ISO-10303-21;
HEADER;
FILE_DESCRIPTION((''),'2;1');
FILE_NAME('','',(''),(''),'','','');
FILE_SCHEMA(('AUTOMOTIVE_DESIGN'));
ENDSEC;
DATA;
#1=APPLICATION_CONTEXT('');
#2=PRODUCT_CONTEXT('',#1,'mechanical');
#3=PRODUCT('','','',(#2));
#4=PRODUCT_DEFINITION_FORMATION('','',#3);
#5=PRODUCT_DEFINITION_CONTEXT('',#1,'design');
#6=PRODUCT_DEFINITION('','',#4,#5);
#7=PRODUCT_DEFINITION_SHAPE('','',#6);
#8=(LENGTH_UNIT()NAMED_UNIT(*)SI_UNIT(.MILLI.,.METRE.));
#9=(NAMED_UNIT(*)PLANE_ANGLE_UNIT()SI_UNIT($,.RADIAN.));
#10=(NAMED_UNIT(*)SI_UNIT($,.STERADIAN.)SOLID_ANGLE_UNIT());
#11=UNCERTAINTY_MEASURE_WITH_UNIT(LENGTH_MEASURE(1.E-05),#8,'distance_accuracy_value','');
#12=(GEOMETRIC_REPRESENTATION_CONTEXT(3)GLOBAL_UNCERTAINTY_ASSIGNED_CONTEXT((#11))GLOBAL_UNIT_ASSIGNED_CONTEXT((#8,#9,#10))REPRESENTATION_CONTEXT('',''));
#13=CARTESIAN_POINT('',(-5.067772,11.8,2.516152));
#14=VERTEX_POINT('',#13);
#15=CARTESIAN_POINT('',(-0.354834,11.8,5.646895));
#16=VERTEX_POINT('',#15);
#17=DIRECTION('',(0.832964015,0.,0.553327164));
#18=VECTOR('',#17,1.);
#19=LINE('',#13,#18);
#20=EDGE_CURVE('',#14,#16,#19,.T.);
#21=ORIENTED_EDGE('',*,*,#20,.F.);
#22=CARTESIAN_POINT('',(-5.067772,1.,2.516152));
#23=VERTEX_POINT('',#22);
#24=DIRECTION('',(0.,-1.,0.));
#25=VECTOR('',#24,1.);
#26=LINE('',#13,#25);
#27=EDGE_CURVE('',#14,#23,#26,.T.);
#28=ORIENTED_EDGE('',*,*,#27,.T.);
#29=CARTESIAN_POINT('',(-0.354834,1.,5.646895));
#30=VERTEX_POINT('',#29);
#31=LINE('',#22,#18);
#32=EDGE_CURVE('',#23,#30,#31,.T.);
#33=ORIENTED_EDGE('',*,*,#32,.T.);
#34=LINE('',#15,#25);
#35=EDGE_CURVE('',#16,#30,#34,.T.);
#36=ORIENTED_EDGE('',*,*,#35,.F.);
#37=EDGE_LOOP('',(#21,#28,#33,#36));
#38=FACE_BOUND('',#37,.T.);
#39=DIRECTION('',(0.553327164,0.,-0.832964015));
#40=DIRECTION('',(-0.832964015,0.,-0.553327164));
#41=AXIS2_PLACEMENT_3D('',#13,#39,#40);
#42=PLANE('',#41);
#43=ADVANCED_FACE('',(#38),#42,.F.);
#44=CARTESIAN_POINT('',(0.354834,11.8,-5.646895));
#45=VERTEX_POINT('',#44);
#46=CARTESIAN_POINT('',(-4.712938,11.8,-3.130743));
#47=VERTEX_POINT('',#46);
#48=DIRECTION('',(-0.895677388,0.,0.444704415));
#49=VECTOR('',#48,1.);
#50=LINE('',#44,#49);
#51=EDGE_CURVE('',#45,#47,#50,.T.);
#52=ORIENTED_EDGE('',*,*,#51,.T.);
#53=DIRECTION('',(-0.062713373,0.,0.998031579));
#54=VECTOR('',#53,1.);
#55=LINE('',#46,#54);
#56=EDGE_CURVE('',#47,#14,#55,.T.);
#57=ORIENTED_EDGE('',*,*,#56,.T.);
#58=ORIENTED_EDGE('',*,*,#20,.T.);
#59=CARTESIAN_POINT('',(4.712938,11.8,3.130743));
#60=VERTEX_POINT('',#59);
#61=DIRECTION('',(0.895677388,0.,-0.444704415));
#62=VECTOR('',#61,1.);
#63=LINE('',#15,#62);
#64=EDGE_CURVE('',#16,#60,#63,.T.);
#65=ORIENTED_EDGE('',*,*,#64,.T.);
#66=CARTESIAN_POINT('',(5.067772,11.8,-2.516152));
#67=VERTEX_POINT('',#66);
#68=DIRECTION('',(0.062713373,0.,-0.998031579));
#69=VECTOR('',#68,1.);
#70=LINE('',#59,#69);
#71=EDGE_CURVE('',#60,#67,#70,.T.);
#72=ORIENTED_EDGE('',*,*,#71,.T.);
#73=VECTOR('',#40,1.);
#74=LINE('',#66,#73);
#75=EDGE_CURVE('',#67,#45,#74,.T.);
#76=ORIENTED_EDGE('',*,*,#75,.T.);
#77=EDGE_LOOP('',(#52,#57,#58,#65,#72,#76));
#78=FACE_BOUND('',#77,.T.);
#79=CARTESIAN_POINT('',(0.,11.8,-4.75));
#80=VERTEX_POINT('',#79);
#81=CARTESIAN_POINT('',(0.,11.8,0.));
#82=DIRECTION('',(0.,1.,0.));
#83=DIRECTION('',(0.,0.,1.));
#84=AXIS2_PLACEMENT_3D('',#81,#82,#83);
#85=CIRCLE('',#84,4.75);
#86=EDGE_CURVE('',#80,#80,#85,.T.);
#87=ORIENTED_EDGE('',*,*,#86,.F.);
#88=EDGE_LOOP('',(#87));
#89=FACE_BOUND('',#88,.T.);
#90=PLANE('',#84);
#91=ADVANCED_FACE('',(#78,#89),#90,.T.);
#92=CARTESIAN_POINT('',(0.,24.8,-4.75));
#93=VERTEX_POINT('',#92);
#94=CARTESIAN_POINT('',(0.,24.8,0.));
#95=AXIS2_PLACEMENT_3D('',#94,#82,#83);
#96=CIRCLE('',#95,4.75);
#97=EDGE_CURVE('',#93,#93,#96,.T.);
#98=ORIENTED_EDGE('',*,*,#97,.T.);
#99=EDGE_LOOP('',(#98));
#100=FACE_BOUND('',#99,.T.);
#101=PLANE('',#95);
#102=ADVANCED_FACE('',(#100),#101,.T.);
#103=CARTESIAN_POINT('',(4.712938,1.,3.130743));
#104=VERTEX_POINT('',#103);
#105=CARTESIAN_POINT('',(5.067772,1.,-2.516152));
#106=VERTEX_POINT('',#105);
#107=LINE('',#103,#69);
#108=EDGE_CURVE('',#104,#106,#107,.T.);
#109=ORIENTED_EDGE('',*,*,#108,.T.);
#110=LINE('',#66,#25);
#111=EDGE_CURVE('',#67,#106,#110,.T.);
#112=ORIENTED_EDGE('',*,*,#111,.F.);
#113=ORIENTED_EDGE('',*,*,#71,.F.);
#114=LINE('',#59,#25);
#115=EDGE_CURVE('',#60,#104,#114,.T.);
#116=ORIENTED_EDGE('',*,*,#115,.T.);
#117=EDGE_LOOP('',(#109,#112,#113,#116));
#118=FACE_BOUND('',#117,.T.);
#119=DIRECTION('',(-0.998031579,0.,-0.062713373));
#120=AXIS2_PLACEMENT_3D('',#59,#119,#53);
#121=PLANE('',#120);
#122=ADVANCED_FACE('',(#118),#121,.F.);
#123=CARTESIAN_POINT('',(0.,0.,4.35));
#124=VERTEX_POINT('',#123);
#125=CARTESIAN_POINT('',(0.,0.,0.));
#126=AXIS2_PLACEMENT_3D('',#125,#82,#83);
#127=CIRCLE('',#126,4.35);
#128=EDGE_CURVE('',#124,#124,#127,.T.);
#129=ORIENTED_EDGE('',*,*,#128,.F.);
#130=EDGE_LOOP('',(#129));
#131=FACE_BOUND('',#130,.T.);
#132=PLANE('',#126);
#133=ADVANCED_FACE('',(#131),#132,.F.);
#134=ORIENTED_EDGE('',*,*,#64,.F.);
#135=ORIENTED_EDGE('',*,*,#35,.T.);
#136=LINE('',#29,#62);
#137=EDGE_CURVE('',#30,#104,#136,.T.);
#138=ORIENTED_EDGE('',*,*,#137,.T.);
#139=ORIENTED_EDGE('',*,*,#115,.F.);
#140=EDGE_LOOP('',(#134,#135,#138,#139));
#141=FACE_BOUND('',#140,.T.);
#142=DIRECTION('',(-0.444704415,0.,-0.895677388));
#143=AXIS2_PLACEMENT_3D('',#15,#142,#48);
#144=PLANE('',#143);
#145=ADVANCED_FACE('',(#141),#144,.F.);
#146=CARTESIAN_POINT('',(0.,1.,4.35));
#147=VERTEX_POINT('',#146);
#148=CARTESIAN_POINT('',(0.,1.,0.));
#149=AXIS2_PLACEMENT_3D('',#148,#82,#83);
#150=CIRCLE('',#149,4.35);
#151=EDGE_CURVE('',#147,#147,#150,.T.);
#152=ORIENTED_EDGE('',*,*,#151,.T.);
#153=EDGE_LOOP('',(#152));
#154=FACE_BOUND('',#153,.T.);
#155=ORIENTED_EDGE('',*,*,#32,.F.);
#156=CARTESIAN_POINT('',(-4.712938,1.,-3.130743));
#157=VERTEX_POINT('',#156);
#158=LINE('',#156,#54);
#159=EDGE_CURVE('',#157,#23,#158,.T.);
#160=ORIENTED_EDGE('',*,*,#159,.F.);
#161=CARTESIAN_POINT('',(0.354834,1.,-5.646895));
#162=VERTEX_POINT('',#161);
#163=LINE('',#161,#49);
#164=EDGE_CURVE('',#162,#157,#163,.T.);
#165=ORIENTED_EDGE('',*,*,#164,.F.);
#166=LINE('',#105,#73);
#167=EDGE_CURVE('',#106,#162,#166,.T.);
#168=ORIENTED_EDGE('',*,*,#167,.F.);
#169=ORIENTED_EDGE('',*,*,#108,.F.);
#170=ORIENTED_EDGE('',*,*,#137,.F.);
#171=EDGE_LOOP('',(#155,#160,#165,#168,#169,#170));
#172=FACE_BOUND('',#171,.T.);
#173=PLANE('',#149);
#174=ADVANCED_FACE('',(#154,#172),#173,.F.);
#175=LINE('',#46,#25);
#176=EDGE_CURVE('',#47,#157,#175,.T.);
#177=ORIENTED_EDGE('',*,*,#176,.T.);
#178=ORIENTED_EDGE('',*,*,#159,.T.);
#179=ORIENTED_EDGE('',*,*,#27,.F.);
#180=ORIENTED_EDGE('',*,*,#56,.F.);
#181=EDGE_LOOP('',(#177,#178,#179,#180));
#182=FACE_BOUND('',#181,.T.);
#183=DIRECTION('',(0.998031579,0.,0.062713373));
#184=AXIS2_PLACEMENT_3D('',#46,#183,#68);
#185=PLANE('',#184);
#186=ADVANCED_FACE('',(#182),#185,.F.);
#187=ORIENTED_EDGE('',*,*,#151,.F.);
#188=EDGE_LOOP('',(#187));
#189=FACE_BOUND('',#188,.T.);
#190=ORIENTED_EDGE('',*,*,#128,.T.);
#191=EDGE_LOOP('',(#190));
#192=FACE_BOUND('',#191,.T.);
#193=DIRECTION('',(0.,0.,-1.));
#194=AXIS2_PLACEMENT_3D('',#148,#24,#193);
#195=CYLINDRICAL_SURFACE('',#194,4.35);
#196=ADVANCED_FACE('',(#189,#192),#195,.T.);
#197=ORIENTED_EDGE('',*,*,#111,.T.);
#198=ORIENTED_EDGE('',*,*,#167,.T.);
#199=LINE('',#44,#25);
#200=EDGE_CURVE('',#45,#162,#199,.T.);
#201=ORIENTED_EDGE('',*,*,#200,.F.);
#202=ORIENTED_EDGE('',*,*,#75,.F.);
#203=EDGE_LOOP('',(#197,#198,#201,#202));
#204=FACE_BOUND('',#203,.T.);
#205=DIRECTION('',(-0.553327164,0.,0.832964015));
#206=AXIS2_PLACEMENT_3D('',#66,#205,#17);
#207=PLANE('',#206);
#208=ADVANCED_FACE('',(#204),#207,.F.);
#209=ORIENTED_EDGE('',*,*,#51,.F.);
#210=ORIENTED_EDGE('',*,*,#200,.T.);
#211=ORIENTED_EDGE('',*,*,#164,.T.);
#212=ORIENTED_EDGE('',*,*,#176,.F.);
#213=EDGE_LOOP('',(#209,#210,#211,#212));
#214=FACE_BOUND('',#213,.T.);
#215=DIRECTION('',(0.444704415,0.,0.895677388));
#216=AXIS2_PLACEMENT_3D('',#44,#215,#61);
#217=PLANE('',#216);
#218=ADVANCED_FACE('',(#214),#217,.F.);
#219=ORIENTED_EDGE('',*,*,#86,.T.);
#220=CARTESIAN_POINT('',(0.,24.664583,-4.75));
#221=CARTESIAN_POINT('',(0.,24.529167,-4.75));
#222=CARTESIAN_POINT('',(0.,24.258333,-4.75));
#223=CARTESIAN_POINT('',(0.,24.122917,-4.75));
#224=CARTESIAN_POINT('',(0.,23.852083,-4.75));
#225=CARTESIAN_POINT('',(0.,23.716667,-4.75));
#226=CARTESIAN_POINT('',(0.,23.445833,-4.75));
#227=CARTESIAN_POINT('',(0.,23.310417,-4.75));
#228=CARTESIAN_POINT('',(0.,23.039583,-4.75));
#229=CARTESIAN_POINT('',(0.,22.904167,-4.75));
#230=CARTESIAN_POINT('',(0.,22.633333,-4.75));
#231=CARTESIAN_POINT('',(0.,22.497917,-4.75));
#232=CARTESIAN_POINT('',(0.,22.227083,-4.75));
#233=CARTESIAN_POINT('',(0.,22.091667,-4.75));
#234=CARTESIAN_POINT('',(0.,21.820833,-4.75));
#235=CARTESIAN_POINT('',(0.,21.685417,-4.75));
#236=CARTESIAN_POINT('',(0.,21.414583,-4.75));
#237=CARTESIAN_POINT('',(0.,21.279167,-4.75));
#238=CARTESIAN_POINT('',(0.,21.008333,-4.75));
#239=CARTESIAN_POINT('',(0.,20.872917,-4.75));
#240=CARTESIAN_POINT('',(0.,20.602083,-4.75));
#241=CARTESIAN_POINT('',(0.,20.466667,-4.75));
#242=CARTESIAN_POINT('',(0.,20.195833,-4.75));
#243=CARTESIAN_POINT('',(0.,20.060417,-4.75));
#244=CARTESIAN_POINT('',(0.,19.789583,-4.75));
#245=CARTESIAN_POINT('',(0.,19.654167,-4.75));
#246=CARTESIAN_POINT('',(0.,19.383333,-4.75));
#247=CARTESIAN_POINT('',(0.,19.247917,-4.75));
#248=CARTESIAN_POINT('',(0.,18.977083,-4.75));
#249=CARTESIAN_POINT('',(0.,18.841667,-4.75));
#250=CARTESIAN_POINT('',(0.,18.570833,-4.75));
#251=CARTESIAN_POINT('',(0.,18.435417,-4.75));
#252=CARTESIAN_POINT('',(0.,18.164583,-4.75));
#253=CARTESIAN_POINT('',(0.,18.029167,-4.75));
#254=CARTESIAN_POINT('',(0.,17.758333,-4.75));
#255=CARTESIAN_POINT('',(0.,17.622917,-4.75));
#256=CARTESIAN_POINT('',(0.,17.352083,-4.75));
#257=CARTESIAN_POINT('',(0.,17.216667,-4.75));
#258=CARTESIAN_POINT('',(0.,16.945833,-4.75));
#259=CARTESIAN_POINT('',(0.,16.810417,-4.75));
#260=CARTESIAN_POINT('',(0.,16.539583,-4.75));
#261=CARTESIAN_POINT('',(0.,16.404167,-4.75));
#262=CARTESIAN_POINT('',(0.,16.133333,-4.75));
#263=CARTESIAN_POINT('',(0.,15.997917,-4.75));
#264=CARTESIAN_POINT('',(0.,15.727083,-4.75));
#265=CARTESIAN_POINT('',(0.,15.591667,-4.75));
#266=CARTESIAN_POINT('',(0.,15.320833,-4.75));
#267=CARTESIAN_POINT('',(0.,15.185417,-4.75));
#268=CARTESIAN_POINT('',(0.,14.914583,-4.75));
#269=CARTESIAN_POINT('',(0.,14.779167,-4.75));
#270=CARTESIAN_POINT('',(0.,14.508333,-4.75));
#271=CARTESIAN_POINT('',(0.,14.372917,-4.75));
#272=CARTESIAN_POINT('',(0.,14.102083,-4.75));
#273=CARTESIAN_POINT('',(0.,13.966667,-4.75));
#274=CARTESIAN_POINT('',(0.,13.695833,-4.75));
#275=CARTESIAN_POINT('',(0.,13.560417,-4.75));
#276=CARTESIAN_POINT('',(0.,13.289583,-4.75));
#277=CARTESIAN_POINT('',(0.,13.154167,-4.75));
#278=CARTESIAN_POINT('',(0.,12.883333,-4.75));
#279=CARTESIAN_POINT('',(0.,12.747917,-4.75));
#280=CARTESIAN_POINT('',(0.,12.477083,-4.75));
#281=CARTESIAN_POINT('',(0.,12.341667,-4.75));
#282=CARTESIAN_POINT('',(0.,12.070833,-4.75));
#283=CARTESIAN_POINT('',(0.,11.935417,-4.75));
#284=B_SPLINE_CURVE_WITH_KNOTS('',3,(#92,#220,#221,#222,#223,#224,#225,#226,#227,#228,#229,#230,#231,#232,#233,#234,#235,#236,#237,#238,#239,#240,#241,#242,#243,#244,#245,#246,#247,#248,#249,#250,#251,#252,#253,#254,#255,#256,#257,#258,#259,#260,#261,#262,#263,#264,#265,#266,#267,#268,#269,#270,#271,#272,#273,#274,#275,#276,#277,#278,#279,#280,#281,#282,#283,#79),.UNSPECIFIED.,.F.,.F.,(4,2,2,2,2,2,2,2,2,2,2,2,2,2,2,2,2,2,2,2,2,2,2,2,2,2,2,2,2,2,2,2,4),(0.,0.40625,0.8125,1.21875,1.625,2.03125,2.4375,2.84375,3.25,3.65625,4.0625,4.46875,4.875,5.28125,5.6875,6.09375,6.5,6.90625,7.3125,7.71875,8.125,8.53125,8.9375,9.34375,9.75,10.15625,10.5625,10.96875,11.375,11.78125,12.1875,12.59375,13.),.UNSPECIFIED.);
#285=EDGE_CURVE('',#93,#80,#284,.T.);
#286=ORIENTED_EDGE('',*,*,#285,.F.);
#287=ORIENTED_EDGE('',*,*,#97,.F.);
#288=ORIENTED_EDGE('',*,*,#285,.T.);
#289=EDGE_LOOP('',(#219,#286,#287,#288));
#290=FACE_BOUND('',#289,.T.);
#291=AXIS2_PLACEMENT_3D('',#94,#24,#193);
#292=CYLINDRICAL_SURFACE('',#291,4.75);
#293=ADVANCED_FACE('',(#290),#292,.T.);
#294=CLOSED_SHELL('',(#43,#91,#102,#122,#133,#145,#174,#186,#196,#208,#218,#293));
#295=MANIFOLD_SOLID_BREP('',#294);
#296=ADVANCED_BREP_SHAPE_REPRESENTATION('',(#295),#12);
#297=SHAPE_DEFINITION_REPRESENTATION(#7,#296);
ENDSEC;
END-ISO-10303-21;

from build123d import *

# Parameters (mm, degrees)
SKETCH_1_R      = 4.35
EXTRUDE_1_DEPTH = 1
EXTRUDE_2_DEPTH = 10.8
SKETCH_3_R      = 4.75
EXTRUDE_3_DEPTH = 13


with BuildPart() as part:
    # 草图1 → 凸台-拉伸1 (new body)
    with BuildSketch(Plane(origin=(0, 0, 0), x_dir=(1, 0, 0), z_dir=(0, 1, 0))):
        with Locations(Location((0, 0, 0), (0, 0, 270))):
            Circle(SKETCH_1_R)
    extrude(amount=EXTRUDE_1_DEPTH)

    # 草图2 → 凸台-拉伸2 (add)
    with BuildSketch(Plane(origin=(0, 1, 0), x_dir=(1, 0, 0), z_dir=(0, 1, 0))):
        Polygon((4.712937582, -3.130743152), (5.067771893, 2.516152096), (0.354834312, 5.646895248), (-4.712937582, 3.130743152), (-5.067771893, -2.516152096), (-0.354834312, -5.646895248), align=None)
    extrude(amount=EXTRUDE_2_DEPTH)

    # 草图3 → 凸台-拉伸3 (add)
    with BuildSketch(Plane(origin=(0, 11.8, 0), x_dir=(1, 0, 0), z_dir=(0, 1, 0))):
        with Locations(Location((0, 0, 0), (0, 0, 90))):
            Circle(SKETCH_3_R)
    extrude(amount=EXTRUDE_3_DEPTH)


solid = part.part
